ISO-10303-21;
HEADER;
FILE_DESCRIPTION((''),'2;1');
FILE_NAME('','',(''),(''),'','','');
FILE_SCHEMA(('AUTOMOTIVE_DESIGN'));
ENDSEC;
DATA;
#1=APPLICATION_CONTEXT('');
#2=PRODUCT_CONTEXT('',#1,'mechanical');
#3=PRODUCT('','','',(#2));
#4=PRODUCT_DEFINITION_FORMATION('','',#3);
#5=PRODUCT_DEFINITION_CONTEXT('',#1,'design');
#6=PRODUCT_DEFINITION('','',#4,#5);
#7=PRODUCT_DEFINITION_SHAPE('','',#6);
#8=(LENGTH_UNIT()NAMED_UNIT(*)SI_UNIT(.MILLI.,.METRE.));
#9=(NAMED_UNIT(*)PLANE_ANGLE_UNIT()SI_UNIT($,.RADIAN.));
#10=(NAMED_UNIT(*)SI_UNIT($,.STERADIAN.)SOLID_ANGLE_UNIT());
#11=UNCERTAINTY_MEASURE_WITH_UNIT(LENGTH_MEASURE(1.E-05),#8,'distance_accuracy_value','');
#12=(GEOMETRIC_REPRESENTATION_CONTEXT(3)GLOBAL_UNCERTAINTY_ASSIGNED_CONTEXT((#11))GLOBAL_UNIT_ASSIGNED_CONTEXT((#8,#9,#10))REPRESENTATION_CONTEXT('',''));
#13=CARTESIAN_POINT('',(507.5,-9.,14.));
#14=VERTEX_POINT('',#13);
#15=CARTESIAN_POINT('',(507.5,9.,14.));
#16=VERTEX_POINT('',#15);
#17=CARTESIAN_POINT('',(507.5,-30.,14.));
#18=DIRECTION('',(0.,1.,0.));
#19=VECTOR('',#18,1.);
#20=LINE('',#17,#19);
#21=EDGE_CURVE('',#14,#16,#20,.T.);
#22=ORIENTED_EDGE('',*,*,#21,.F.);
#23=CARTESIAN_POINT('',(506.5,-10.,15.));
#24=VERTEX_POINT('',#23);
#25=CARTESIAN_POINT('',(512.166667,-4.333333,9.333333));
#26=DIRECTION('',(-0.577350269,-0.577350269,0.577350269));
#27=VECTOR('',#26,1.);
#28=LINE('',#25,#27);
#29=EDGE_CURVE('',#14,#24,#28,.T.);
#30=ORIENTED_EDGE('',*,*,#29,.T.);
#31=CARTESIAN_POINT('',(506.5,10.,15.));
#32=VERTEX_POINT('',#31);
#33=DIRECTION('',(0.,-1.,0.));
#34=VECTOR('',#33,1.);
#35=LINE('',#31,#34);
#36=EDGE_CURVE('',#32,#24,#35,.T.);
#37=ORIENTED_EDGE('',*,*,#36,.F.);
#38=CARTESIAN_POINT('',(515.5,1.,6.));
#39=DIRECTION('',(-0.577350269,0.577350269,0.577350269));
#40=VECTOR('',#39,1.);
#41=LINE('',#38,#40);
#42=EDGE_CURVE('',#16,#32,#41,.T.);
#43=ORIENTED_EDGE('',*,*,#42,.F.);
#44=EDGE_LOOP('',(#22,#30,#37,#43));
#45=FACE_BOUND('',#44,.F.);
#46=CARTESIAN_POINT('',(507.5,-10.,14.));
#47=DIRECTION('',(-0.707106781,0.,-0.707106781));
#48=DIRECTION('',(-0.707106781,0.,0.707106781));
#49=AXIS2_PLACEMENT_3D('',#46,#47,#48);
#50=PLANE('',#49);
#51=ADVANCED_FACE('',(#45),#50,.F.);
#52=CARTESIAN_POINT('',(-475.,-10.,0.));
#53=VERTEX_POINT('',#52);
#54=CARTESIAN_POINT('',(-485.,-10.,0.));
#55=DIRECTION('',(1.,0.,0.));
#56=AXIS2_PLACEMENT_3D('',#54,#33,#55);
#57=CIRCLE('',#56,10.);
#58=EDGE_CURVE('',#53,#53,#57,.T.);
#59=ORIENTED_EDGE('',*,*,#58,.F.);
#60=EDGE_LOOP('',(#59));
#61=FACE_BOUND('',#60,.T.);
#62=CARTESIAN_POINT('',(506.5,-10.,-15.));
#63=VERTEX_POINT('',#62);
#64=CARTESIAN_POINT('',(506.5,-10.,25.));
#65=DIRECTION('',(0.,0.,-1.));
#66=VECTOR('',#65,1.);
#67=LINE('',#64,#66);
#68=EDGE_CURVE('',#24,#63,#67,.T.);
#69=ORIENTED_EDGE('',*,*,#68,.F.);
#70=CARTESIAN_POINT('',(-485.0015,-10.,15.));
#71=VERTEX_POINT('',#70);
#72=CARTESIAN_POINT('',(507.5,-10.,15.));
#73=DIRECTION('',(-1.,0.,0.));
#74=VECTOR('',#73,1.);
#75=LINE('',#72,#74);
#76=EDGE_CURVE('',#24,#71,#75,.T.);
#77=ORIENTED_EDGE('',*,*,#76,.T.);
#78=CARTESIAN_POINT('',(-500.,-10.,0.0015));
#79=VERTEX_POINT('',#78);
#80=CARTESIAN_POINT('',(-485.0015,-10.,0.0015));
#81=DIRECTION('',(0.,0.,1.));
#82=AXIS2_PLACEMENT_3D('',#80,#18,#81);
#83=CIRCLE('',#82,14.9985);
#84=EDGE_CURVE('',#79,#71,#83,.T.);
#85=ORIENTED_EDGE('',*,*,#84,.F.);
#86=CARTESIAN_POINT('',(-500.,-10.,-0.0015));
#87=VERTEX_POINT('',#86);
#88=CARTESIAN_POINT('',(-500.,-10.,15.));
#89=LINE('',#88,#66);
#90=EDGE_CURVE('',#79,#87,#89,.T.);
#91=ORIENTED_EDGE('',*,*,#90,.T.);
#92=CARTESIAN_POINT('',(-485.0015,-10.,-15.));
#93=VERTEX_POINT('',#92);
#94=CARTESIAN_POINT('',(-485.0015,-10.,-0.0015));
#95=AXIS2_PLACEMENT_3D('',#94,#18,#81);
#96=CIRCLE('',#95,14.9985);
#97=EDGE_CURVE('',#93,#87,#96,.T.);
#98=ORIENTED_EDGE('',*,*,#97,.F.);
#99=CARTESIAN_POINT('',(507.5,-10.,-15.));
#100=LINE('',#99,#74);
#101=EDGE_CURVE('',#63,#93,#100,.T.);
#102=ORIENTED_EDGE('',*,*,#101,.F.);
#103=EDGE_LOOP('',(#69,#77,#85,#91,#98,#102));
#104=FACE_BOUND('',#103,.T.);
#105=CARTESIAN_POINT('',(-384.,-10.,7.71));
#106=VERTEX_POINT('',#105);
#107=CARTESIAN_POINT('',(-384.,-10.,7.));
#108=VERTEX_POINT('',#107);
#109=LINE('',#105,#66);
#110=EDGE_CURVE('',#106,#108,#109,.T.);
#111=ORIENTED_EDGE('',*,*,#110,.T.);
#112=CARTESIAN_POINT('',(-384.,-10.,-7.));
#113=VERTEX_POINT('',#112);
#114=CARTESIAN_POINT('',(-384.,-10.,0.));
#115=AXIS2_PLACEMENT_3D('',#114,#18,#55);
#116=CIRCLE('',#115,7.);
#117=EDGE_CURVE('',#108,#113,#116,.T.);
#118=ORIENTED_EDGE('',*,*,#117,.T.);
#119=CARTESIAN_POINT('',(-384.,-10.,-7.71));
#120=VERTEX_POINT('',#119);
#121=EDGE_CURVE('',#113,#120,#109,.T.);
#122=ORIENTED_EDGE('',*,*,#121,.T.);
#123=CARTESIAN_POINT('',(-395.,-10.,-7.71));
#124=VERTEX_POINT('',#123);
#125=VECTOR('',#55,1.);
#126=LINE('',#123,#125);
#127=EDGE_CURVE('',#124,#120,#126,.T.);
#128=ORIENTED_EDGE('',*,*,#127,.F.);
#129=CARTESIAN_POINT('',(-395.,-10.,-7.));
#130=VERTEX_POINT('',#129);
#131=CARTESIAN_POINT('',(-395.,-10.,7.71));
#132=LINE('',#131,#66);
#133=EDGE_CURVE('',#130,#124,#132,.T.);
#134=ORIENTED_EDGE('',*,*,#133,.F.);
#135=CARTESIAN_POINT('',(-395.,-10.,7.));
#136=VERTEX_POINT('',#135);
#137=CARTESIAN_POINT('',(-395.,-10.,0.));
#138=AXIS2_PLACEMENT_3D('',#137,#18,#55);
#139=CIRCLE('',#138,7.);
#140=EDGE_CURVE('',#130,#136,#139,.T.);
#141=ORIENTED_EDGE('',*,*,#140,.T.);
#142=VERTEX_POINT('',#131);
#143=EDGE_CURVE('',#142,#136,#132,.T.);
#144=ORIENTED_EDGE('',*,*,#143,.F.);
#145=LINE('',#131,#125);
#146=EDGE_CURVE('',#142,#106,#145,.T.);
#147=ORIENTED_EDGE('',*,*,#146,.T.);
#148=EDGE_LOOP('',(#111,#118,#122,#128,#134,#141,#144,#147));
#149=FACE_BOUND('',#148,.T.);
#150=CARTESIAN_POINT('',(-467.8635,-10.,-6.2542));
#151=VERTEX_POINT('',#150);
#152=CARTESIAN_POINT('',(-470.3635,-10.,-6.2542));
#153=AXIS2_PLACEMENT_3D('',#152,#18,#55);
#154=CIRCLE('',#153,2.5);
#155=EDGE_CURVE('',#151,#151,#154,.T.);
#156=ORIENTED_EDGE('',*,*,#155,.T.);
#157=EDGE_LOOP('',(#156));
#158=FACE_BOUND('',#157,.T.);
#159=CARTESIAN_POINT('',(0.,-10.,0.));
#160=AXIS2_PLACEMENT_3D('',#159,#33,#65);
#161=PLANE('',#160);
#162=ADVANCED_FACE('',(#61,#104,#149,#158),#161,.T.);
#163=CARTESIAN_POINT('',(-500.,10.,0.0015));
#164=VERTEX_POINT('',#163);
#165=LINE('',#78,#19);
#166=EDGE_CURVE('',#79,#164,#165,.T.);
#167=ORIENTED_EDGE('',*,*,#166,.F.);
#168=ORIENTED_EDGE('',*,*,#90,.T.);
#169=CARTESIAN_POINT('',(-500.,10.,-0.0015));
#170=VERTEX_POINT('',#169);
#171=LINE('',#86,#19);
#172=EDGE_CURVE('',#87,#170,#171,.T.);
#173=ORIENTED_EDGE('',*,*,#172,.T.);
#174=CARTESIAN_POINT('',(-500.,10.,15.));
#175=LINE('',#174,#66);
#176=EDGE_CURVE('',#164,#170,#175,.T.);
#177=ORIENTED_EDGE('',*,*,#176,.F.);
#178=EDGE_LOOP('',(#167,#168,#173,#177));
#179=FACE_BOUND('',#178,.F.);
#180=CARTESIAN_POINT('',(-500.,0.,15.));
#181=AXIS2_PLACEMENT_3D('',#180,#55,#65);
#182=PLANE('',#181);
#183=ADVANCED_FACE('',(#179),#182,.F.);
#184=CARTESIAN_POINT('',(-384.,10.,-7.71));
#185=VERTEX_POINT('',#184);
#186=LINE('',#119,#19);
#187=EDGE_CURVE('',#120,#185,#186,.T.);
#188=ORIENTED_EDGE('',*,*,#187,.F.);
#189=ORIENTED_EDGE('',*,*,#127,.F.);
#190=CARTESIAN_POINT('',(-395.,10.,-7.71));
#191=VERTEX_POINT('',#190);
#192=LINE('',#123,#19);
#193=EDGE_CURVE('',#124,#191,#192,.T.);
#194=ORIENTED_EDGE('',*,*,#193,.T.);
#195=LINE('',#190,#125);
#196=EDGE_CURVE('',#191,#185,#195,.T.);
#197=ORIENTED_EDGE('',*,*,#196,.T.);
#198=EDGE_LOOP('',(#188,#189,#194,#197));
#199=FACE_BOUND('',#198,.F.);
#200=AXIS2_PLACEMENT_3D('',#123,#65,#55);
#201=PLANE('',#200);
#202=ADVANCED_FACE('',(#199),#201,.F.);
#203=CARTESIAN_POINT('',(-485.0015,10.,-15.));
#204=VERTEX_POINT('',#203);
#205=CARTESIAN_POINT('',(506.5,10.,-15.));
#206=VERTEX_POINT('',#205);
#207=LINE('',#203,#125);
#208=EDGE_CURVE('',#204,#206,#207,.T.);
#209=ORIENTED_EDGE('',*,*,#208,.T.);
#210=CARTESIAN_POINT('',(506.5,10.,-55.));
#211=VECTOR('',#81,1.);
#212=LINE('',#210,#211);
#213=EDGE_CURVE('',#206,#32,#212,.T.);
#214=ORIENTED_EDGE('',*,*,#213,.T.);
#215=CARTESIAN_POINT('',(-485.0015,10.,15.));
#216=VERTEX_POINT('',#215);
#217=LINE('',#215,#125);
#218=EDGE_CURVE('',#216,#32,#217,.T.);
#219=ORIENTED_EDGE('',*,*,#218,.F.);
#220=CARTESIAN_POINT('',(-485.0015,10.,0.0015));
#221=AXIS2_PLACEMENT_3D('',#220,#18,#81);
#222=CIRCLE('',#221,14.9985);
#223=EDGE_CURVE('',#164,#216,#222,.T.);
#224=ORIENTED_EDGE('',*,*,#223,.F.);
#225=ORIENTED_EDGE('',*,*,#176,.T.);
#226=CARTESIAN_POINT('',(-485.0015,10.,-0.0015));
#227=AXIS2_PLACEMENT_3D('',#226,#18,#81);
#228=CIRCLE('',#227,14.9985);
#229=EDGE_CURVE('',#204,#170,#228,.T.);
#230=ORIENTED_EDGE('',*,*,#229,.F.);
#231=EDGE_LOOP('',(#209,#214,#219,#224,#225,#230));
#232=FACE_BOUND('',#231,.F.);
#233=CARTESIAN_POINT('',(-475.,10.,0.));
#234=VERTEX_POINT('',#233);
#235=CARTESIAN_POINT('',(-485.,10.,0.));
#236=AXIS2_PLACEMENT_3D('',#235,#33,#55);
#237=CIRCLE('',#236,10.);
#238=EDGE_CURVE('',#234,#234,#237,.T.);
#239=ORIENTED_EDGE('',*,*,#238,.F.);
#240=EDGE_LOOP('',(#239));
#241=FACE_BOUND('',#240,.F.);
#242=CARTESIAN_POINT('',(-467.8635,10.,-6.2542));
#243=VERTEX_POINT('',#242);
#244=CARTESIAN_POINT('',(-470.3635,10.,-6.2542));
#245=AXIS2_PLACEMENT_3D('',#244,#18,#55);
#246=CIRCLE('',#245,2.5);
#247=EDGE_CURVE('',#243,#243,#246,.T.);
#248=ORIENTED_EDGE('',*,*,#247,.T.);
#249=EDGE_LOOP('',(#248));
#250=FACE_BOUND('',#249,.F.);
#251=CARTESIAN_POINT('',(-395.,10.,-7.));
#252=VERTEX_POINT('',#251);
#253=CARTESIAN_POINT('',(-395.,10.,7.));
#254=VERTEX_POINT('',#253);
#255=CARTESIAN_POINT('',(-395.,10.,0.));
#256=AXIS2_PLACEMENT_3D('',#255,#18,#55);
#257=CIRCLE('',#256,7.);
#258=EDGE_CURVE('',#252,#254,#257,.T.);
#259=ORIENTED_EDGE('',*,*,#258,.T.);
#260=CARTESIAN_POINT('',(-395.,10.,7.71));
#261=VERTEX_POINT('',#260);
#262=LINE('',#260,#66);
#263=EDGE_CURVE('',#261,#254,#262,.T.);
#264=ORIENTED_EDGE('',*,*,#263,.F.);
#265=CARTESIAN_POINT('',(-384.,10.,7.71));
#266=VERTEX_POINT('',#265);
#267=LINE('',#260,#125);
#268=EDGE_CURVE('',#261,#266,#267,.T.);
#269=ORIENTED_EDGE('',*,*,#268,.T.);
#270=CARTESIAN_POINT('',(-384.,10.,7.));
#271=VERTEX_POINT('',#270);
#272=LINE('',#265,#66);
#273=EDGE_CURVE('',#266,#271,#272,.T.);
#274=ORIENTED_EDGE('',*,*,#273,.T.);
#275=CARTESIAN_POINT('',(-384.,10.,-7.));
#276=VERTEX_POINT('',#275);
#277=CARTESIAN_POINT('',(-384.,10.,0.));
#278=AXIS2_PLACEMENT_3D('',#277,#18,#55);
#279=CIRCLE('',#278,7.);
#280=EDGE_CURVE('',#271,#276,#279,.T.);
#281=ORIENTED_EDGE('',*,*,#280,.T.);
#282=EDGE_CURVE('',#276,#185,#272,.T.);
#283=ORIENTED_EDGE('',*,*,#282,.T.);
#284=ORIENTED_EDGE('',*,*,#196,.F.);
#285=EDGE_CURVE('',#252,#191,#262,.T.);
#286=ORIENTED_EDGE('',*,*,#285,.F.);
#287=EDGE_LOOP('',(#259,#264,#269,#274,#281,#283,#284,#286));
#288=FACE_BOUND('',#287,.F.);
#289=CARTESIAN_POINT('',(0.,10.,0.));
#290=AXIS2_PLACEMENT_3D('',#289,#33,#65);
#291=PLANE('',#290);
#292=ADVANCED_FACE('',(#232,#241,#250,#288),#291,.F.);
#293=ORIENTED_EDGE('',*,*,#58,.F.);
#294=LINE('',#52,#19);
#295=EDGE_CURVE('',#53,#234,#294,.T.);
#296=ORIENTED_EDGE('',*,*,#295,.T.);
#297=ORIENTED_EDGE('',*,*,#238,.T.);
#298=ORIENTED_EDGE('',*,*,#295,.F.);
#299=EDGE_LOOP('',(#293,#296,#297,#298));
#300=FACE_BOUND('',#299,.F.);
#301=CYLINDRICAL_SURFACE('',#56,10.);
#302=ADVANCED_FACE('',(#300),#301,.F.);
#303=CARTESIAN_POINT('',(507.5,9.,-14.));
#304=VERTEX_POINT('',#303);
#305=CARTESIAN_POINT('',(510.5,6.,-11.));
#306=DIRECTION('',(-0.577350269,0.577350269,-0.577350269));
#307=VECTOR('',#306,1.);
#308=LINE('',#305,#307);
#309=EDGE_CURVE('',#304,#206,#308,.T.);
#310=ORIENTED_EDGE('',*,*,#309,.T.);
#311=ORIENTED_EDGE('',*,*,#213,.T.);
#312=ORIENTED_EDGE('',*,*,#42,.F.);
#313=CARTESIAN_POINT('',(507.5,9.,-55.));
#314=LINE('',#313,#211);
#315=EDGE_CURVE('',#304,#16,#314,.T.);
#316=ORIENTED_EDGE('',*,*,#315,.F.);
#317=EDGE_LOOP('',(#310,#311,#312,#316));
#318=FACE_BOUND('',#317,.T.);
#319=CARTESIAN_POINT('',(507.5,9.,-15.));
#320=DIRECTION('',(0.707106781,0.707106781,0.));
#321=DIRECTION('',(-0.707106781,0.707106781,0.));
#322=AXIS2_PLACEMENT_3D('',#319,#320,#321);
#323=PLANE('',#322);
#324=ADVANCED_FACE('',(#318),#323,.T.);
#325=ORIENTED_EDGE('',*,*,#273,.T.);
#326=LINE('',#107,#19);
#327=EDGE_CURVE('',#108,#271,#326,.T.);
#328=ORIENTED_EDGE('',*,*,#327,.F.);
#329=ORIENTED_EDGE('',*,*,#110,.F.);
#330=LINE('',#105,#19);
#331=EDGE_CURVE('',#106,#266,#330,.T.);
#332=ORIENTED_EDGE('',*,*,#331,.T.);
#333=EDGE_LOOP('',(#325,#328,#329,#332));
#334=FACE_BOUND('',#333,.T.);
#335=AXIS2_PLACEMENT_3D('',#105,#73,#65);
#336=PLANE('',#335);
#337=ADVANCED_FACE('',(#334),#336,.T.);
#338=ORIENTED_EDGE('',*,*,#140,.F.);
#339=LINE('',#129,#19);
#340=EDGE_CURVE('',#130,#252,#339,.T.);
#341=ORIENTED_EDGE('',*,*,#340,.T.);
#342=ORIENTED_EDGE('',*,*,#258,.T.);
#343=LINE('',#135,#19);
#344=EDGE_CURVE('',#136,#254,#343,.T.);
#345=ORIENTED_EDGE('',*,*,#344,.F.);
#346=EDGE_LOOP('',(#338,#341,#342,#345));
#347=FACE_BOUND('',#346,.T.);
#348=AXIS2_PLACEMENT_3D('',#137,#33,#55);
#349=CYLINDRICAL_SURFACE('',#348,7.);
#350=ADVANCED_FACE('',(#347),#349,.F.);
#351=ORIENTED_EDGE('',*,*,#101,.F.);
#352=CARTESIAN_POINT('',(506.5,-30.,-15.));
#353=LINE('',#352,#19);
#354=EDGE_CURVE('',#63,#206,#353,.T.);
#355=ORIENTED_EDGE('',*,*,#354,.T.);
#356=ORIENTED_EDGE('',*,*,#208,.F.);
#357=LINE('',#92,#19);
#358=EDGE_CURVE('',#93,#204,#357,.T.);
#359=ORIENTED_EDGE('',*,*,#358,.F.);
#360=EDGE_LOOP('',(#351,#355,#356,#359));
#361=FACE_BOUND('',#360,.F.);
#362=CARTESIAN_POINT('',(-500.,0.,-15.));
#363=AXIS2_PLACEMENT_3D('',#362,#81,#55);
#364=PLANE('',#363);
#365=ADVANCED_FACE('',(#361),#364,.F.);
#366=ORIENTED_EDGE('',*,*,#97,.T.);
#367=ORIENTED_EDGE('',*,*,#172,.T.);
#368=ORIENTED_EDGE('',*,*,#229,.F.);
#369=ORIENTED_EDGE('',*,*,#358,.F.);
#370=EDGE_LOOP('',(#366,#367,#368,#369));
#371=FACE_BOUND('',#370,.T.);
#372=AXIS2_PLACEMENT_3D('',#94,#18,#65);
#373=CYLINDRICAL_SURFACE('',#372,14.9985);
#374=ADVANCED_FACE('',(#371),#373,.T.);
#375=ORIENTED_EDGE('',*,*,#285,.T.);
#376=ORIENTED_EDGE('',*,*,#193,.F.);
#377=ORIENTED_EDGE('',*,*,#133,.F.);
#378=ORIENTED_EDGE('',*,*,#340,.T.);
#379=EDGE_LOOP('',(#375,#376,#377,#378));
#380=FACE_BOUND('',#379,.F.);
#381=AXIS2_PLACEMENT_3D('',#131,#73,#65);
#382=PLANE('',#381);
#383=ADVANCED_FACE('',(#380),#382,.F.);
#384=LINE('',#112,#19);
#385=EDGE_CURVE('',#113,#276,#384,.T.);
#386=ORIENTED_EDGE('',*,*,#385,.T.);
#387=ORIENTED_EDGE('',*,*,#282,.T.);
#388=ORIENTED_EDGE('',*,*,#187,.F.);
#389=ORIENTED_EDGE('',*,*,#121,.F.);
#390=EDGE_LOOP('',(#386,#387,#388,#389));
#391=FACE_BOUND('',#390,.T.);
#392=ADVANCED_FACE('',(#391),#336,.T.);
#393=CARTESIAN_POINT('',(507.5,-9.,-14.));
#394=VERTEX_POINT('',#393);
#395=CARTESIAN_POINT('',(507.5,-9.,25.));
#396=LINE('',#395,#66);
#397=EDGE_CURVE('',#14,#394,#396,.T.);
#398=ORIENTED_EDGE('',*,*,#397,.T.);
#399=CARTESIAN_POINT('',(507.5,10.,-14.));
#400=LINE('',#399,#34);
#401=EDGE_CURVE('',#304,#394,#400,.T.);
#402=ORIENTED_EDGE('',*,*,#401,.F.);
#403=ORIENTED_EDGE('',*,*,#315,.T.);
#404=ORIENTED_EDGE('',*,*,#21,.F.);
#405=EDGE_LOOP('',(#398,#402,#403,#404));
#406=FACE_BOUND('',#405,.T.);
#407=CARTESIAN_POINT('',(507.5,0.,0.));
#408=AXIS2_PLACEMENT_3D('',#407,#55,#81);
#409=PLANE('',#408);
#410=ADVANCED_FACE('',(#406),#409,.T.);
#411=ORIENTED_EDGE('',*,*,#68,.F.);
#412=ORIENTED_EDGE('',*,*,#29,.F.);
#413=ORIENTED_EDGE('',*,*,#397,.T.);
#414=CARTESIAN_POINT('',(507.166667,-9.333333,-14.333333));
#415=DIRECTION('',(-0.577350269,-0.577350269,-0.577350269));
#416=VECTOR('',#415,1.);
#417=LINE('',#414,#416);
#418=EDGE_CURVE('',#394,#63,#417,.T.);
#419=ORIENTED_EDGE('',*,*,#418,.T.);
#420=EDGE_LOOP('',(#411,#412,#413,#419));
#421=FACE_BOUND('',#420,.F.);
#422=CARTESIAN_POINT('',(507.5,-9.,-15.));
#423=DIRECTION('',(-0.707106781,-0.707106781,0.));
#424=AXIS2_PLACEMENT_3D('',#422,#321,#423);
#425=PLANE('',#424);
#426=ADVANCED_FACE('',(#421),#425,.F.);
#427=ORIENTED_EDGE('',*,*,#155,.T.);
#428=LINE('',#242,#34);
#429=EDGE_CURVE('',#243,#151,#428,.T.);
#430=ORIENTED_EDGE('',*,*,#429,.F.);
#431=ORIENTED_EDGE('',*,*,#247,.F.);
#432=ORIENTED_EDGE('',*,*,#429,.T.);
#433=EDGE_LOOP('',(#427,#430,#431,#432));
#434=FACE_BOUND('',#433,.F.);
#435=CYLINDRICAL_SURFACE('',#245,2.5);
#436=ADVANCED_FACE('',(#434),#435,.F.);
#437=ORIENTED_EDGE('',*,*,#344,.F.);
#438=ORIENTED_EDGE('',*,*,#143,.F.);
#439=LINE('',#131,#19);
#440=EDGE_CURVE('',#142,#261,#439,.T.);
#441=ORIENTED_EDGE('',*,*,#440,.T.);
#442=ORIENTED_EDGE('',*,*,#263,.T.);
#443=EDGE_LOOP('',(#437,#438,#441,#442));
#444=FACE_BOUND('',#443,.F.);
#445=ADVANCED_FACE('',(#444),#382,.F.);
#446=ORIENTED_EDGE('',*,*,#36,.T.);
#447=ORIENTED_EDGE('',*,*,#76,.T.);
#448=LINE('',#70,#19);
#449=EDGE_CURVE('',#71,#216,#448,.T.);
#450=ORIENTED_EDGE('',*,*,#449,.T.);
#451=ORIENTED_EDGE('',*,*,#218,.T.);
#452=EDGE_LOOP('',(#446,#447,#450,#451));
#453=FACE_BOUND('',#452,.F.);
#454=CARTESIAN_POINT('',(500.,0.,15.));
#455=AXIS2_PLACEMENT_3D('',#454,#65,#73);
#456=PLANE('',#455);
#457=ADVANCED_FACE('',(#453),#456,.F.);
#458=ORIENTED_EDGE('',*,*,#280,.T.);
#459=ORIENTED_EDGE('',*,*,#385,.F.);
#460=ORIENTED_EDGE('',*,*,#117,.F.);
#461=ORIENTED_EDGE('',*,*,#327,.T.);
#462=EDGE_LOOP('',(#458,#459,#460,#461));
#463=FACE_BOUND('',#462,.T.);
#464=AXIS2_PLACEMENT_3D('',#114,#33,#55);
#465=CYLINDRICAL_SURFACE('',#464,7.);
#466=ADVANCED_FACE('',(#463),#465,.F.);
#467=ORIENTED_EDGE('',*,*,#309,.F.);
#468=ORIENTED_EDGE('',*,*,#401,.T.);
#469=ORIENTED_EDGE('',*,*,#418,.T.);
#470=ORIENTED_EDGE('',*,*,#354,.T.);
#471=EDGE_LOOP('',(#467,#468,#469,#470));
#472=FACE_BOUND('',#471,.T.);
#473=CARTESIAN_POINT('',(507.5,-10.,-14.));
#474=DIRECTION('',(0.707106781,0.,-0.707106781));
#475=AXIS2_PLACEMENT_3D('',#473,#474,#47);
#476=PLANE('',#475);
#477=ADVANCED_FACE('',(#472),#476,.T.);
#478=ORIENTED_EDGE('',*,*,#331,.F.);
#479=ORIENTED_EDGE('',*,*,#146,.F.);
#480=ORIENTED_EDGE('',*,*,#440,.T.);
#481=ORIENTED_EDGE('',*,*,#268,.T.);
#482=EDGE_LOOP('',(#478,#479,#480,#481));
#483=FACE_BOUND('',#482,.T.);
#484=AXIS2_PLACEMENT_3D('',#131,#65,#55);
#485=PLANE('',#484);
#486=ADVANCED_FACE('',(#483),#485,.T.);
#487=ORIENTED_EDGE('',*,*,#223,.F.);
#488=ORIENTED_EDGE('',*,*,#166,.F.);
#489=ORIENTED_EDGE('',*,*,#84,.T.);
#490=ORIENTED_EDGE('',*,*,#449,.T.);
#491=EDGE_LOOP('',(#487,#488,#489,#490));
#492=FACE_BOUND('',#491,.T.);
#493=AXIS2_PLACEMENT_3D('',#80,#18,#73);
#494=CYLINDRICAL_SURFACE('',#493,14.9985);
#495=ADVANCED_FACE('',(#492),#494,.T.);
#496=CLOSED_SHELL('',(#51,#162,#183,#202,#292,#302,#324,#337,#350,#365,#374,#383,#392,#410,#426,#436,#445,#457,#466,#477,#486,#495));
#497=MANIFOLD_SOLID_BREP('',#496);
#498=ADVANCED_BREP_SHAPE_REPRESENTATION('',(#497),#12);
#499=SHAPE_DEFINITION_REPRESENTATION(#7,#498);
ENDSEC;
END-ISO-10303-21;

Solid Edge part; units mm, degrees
sketch "Sketch1" plane through (0, 0, 0) normal (0, -1, 0) x (1, 0, 0)
  line L0 (-500, -15) -> (500, -15)
  line L1 (500, -15) -> (500, 15)
  line L2 (500, 15) -> (-500, 15)
  line L3 (-500, 15) -> (-500, -15)
extrude "Protrusion1" add sketch "Sketch1" along normal mid plane 20
fillet "Round_1" radius 15 2 edges at (-500, 0, 15) (-500, 0, -15)
sketch "Sketch2" plane through (0, -10, 0) normal (0, -1, 0) x (1, 0, 0)
  circle A0 centre (-485, 0) radius 10
extrude "ExtrudedCutout_1" cut sketch "Sketch2" against normal blind 60
sketch "Sketch3" plane through (0, -10, 0) normal (0, -1, 0) x (1, 0, 0)
  line L0 (-395, 7) -> (-384, 7)
  line L1 (-384, -7) -> (-395, -7)
  arc A0 (-384, 7) -> (-384, -7) centre (-384, 0) cw
  arc A1 (-395, -7) -> (-395, 7) centre (-395, 0) cw
extrude "ExtrudedCutout_2" cut sketch "Sketch3" against normal blind 20
sketch "Sketch4" plane through (0, -10, 0) normal (0, -1, 0) x (1, 0, 0)
  line L0 (-395, 7.71) -> (-384, 7.71)
  line L1 (-384, 7.71) -> (-384, -7.71)
  line L2 (-395, -7.71) -> (-384, -7.71)
  line L3 (-395, 7.71) -> (-395, -7.71)
extrude "ExtrudedCutout_3" cut sketch "Sketch4" against normal blind 20
sketch "Sketch5" plane through (0, 10, 0) normal (0, 1, 0) x (1, 0, 0)
  circle A0 centre (-470.3635, 6.2542) radius 2.5
extrude "ExtrudedCutout_6" cut sketch "Sketch5" against normal blind 20
sketch "Sketch6" plane through (-0.5, -10, 0) normal (0, -1, 0) x (-1, 0, 0)
  line L0 (-499.5, 15) -> (-500.5, 15)
  line L1 (-500.5, 15) -> (-500.5, 14)
  line L2 (-500.5, 14) -> (-499.5, 15)
  line L3 (-500.5, -14) -> (-500.5, -15)
  line L4 (-500.5, -15) -> (-499.5, -15)
  line L5 (-499.5, -15) -> (-500.5, -14)
extrude "ExtrudedCutout_8" cut sketch "Sketch6" along normal mid plane 240
sketch "Sketch7" plane through (500, 0, 0) normal (1, 0, 0) x (0, 0, -1)
  line L0 (-15, -10) -> (15, -10)
  line L1 (15, -10) -> (15, 10)
  line L2 (15, 10) -> (-15, 10)
  line L3 (-15, 10) -> (-15, -10)
extrude "ExtrudedProtrusion_2" add sketch "Sketch7" along normal mid plane 15
sketch "Sketch8" plane through (11.25, 0, -15) normal (0, 0, -1) x (-1, 0, 0)
  line L0 (-495.25, 10) -> (-496.25, 10)
  line L1 (-496.25, 10) -> (-496.25, 9)
  line L2 (-496.25, 9) -> (-495.25, 10)
  line L3 (-495.25, -10) -> (-496.25, -10)
  line L4 (-496.25, -10) -> (-496.25, -9)
  line L5 (-496.25, -9) -> (-495.25, -10)
extrude "ExtrudedCutout_9" cut sketch "Sketch8" along normal mid plane 80
sketch "Sketch9" plane through (3.25, -10, 0) normal (0, -1, 0) x (-1, 0, 0)
  line L0 (-504.25, 15) -> (-504.25, 14)
  line L1 (-504.25, 14) -> (-503.25, 15)
  line L2 (-503.25, 15) -> (-504.25, 15)
  line L3 (-504.25, -15) -> (-504.25, -14)
  line L4 (-504.25, -14) -> (-503.25, -15)
  line L5 (-503.25, -15) -> (-504.25, -15)
extrude "ExtrudedCutout_10" cut sketch "Sketch9" along normal mid plane 40
properties material "Steel - Stainless:1.4301 , X5CrNi18-10"
